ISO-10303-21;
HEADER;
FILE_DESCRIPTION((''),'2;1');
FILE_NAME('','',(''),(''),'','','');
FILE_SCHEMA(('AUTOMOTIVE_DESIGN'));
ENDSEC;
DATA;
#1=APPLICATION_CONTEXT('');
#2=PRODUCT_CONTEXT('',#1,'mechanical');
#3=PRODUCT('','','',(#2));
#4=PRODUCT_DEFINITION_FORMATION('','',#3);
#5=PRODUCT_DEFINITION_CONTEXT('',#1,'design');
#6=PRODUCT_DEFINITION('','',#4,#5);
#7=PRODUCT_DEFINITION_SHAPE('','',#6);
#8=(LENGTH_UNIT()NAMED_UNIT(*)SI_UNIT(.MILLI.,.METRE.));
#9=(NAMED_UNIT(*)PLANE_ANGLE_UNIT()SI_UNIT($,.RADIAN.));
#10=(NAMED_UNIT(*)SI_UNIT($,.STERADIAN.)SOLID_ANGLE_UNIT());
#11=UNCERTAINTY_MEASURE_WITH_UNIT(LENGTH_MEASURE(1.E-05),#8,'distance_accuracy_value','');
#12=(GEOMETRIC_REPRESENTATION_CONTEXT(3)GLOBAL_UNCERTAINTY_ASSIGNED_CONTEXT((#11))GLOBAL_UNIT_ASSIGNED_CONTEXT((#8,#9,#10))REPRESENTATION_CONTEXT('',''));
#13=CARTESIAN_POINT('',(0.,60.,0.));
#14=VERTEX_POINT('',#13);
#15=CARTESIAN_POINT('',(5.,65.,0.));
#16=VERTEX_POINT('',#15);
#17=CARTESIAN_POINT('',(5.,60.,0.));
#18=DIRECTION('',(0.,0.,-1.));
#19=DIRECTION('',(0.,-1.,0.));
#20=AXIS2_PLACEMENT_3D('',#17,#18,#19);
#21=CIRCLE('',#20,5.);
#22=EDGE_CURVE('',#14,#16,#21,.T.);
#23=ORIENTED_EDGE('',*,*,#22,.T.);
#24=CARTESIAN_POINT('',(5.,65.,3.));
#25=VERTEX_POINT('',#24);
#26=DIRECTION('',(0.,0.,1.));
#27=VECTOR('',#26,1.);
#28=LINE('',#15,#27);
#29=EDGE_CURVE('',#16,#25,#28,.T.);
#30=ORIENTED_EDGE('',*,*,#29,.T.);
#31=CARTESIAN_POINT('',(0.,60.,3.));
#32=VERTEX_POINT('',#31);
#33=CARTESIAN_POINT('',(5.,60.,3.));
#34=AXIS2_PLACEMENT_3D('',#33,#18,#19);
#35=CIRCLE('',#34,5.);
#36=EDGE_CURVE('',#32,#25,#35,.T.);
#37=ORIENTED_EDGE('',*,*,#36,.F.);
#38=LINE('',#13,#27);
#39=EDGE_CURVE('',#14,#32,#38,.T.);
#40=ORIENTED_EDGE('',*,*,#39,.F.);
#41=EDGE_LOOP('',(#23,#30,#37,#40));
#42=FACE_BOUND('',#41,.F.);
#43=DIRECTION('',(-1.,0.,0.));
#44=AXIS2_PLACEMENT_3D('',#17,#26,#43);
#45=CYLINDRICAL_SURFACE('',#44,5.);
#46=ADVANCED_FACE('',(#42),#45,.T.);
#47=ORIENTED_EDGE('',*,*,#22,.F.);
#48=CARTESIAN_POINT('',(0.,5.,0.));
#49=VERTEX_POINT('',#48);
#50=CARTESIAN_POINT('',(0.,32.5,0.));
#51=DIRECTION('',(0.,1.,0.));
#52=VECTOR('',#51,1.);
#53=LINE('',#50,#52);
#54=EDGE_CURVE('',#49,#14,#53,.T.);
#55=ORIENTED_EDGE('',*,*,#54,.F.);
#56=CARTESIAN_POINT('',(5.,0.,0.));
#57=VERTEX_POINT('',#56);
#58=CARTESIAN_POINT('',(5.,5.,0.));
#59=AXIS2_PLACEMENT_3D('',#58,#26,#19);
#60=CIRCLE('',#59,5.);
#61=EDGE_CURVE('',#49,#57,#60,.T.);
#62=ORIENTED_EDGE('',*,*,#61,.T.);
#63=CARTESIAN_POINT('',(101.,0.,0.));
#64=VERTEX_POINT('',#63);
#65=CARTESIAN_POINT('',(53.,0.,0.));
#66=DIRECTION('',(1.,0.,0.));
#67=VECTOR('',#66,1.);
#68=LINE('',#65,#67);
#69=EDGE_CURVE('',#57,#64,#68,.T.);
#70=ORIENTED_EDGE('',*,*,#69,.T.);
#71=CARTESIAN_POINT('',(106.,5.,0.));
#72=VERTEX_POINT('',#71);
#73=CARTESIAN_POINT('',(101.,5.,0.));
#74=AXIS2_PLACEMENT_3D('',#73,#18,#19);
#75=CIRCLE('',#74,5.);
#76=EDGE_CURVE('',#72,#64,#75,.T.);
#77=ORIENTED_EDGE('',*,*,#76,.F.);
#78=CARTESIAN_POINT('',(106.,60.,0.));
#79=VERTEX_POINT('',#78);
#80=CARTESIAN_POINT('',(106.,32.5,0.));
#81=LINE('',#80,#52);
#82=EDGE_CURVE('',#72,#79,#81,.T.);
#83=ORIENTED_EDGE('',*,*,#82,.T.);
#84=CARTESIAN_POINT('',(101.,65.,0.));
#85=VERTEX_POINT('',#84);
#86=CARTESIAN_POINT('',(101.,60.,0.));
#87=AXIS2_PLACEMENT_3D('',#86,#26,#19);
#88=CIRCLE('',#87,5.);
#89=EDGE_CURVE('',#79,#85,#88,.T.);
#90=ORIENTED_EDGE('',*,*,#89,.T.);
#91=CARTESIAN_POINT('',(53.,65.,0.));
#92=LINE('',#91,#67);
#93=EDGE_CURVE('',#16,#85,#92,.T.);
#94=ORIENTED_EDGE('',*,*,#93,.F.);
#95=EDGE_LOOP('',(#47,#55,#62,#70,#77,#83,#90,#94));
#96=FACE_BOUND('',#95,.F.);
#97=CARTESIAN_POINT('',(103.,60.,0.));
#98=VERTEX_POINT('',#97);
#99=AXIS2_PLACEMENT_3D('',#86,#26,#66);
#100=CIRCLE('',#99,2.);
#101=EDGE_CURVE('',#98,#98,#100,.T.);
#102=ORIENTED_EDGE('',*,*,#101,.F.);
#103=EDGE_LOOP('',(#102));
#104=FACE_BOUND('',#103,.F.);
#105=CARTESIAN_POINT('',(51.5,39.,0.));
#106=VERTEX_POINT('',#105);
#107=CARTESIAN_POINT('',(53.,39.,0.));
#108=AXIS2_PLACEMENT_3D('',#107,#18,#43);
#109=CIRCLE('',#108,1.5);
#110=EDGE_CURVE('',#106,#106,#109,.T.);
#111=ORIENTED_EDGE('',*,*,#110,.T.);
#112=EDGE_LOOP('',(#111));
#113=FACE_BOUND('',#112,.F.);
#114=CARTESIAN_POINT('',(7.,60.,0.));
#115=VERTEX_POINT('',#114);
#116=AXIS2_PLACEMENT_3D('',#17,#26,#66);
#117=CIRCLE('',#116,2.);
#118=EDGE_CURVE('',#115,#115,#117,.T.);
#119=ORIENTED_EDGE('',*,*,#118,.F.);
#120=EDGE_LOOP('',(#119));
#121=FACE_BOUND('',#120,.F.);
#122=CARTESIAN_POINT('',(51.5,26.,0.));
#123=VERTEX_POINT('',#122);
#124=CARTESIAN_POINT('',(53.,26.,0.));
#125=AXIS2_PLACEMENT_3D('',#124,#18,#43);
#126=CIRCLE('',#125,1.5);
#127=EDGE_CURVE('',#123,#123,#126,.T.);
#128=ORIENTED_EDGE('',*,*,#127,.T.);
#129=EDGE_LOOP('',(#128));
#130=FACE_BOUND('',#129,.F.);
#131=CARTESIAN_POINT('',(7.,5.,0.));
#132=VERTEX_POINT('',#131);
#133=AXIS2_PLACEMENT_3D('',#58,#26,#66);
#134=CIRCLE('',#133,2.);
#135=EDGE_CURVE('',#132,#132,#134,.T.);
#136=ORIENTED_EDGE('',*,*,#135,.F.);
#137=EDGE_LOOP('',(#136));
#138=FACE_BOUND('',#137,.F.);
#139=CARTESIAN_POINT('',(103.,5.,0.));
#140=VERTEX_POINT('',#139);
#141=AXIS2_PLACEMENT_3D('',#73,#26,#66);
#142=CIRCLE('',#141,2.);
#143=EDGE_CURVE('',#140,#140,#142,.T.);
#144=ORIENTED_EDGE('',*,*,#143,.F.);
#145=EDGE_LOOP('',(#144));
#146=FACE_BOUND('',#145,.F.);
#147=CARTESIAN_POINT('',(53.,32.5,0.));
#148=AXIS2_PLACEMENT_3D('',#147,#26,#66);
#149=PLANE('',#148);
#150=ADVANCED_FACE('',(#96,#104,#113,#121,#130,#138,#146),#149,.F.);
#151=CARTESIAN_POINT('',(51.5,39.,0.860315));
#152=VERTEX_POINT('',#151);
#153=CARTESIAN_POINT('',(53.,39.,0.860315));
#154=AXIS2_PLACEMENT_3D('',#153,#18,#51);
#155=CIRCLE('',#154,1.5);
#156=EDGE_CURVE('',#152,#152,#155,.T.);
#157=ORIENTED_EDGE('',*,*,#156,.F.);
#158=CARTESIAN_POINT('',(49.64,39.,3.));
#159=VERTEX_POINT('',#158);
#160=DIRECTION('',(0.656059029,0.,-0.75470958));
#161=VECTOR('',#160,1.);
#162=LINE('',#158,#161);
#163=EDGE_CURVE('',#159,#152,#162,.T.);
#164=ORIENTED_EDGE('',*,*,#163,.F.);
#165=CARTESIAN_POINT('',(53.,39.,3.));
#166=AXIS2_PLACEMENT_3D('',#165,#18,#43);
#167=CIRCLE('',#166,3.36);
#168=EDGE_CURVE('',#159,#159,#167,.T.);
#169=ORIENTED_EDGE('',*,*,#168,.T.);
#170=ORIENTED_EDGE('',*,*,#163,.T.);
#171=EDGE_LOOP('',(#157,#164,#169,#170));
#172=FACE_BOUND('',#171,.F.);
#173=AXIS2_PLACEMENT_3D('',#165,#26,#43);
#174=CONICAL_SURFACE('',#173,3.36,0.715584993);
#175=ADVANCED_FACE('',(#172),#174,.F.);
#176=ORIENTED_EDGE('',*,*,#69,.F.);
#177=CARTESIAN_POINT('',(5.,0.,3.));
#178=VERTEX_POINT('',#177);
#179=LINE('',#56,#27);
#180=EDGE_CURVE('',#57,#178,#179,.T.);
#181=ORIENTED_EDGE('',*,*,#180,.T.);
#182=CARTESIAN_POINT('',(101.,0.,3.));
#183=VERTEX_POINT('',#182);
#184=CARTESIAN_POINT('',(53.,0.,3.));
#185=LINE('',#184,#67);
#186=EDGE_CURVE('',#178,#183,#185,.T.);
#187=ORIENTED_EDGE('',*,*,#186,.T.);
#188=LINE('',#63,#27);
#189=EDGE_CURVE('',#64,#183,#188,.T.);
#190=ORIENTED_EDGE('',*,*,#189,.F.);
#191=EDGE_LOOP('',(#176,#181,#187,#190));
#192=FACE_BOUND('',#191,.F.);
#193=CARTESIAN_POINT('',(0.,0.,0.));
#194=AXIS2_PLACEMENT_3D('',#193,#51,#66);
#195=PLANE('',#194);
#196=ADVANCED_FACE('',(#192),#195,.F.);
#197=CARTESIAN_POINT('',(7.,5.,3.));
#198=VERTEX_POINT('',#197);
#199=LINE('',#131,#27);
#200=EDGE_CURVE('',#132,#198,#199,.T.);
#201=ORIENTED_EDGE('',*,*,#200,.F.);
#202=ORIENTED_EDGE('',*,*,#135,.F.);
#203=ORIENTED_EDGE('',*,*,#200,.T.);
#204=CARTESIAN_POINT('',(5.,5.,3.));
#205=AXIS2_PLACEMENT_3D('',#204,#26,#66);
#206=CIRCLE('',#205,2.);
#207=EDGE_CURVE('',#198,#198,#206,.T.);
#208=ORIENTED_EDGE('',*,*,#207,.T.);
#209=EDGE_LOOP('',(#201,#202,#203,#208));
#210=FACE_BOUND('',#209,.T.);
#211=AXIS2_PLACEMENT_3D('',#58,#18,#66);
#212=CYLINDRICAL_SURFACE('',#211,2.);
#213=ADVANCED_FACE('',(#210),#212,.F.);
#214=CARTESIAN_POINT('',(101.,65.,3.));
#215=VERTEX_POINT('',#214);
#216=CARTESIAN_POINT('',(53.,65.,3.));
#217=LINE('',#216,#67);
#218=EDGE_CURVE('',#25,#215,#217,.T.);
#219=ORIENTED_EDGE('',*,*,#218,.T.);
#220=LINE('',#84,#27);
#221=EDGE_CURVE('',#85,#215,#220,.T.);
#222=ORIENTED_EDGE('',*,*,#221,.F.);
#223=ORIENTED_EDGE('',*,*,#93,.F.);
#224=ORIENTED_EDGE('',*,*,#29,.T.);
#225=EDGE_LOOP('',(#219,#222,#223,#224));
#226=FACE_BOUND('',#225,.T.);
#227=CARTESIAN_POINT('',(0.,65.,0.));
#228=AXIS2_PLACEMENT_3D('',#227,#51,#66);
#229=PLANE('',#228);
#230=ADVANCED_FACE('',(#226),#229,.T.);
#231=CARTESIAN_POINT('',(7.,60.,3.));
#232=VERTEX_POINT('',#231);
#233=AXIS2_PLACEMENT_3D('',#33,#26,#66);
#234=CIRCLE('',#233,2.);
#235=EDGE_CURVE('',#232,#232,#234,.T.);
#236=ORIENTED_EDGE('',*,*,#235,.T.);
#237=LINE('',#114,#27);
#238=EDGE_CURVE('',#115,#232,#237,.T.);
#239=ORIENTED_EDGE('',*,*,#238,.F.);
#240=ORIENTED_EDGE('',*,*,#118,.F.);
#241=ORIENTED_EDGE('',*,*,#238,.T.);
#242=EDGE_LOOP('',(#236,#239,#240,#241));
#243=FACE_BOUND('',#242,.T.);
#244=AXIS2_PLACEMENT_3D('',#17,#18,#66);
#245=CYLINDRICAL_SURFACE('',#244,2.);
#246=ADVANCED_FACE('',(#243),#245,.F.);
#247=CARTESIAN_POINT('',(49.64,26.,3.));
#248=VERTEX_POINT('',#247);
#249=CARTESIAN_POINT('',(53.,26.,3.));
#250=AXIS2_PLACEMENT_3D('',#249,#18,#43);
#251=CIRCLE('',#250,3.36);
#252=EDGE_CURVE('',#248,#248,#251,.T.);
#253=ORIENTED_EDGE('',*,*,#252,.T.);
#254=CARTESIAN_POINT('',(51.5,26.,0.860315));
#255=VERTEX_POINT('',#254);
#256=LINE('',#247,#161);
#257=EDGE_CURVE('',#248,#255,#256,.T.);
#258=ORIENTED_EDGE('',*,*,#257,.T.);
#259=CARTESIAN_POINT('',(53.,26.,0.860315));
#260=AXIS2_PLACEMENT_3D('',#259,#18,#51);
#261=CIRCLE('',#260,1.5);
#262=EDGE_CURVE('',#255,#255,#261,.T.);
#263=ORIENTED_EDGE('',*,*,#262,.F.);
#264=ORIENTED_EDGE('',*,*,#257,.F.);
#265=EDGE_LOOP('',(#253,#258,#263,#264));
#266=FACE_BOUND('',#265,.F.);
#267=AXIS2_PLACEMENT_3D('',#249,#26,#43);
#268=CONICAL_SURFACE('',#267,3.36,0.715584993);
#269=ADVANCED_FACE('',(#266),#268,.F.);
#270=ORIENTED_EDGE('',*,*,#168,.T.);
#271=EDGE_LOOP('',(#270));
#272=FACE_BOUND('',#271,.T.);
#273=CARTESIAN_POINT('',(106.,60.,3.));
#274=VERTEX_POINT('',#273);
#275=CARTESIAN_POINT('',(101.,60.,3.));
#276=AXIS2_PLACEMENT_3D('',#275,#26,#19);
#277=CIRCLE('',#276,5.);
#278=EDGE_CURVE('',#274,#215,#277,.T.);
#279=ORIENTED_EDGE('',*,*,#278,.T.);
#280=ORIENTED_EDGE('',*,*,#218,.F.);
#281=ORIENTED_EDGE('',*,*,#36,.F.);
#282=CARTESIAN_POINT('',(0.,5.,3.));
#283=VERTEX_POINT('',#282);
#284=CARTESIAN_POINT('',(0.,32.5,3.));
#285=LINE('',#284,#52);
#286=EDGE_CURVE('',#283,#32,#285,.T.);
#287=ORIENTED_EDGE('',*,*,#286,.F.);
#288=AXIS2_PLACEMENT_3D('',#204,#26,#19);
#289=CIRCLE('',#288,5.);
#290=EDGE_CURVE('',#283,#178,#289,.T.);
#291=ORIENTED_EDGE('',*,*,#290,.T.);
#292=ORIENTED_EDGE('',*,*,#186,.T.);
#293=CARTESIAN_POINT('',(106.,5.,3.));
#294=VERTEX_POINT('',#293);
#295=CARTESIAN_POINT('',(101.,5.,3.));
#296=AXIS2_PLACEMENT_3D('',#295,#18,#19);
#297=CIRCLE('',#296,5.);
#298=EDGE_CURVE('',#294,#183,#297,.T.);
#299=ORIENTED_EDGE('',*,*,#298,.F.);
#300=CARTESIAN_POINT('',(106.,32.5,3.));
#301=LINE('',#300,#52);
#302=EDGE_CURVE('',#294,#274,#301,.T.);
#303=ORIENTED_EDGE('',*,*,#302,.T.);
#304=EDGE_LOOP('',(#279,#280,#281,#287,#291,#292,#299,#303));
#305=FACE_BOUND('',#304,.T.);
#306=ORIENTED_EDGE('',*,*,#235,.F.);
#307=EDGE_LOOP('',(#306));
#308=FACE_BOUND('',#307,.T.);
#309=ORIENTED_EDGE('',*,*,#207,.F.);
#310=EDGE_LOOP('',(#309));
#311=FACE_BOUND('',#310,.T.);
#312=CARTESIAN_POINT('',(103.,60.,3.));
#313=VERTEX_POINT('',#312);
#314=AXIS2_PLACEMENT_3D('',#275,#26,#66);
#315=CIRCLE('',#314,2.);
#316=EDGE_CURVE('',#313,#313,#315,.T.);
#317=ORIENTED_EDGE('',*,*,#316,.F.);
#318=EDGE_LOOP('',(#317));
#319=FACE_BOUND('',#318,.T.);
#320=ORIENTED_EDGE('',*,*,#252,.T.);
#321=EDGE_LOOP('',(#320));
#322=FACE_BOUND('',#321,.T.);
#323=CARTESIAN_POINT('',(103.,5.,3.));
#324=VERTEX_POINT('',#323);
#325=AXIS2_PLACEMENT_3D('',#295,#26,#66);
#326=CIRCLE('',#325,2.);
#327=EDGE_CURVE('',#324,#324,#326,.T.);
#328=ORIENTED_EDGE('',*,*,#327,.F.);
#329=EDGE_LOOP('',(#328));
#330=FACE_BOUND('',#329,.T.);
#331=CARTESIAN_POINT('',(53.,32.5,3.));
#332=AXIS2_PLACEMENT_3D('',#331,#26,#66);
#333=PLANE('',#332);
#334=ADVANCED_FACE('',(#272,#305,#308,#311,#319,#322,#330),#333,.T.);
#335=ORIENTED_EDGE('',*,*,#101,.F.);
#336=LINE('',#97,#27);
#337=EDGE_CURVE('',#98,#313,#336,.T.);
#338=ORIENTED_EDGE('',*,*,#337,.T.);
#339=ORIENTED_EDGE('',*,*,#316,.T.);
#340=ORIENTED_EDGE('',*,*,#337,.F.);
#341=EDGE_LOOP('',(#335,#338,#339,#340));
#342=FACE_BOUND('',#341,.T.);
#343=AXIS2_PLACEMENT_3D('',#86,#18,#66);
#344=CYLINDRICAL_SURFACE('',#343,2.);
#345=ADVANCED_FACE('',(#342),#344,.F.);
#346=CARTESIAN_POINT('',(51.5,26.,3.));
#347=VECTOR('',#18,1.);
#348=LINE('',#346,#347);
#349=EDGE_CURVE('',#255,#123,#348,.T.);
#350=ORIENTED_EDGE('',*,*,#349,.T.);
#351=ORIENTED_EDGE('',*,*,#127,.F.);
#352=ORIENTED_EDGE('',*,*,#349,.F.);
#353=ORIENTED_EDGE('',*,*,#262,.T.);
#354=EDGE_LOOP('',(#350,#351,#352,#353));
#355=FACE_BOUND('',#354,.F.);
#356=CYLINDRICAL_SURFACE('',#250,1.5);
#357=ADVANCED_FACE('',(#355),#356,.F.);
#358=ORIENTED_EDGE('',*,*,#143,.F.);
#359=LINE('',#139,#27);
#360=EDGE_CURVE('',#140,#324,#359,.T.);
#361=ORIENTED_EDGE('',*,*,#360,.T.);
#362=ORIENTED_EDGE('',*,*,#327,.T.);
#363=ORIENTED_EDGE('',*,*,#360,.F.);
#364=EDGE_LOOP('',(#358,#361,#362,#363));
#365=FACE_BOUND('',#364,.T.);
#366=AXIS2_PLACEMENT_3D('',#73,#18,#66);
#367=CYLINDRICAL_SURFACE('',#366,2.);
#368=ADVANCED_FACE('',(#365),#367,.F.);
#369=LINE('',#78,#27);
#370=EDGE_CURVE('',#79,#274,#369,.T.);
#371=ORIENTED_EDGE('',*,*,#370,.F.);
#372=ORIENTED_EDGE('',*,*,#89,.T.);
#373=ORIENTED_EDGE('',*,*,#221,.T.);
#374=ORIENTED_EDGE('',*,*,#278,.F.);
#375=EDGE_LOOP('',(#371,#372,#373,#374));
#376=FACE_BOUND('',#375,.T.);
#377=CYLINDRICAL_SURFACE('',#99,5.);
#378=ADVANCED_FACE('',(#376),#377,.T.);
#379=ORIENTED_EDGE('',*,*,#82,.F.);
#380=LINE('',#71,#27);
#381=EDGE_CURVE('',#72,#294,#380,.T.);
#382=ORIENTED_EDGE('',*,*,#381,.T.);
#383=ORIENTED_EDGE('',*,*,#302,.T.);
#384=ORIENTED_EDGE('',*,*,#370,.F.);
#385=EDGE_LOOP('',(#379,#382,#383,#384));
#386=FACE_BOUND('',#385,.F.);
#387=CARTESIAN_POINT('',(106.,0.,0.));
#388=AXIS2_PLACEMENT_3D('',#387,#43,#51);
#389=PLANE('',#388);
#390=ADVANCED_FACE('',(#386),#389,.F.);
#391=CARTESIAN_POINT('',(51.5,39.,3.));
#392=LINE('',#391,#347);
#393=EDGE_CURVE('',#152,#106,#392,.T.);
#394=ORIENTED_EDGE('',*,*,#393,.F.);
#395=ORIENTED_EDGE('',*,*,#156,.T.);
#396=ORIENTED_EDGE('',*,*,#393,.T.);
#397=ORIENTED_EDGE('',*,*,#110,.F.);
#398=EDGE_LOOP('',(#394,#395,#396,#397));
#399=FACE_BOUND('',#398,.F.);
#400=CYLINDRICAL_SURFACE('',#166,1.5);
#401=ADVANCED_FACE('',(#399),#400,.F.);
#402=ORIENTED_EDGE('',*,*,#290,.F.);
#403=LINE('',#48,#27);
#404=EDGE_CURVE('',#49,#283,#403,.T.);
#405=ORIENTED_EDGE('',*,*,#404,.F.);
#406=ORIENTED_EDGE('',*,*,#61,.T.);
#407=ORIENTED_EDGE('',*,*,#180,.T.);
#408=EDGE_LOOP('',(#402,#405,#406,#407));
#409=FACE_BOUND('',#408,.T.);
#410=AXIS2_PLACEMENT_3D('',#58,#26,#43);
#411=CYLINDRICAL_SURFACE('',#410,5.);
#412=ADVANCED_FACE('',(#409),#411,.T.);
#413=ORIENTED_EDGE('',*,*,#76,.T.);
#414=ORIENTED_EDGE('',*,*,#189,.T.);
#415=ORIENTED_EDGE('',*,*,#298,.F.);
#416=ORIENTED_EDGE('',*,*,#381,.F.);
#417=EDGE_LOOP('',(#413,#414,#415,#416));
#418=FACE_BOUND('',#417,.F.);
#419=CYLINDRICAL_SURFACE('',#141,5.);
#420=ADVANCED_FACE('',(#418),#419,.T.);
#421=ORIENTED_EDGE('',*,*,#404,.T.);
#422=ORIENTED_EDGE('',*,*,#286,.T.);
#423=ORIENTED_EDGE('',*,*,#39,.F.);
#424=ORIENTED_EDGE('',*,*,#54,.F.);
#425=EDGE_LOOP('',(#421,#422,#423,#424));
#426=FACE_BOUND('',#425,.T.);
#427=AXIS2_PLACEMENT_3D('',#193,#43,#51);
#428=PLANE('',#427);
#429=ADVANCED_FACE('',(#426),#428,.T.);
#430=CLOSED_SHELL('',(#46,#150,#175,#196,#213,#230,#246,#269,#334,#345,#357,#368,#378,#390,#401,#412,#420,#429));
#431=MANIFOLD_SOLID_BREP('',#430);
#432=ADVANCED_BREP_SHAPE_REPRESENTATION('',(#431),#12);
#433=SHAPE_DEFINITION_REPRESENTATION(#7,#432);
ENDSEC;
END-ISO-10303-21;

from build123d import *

# Parameters (mm, degrees)
F0_W           = 106
F0_H           = 65
F0_R           = 2
F1_DEPTH       = 3
F3_D           = 3
F3_CSINK_D     = 6.72
F3_CSINK_ANGLE = 82
F4_R           = 5


with BuildPart() as f1:
    # F0 (on Top) → F1 (new body)
    with BuildSketch(Plane.XY):
        with Locations((53, 32.5)):
            Rectangle(F0_W, F0_H)
        with Locations((5, 5)):
            Circle(F0_R, mode=Mode.SUBTRACT)
        with Locations((101, 5)):
            Circle(F0_R, mode=Mode.SUBTRACT)
        with Locations((5, 60)):
            Circle(F0_R, mode=Mode.SUBTRACT)
        with Locations((101, 60)):
            Circle(F0_R, mode=Mode.SUBTRACT)
    extrude(amount=F1_DEPTH)

    # F3 (through all)
    with Locations(Plane.XY.offset(3)):
        with Locations((53, 39), (53, 26)):
            CounterSinkHole(F3_D / 2, F3_CSINK_D / 2, counter_sink_angle=F3_CSINK_ANGLE)

    # F4
    f4_edges = [f1.edges().sort_by_distance(p)[0] for p in [
        (106, 0, 1.5),
        (0, 0, 1.5),
        (0, 65, 1.5),
        (106, 65, 1.5),
    ]]
    fillet(f4_edges, radius=F4_R)


solid = f1.part
